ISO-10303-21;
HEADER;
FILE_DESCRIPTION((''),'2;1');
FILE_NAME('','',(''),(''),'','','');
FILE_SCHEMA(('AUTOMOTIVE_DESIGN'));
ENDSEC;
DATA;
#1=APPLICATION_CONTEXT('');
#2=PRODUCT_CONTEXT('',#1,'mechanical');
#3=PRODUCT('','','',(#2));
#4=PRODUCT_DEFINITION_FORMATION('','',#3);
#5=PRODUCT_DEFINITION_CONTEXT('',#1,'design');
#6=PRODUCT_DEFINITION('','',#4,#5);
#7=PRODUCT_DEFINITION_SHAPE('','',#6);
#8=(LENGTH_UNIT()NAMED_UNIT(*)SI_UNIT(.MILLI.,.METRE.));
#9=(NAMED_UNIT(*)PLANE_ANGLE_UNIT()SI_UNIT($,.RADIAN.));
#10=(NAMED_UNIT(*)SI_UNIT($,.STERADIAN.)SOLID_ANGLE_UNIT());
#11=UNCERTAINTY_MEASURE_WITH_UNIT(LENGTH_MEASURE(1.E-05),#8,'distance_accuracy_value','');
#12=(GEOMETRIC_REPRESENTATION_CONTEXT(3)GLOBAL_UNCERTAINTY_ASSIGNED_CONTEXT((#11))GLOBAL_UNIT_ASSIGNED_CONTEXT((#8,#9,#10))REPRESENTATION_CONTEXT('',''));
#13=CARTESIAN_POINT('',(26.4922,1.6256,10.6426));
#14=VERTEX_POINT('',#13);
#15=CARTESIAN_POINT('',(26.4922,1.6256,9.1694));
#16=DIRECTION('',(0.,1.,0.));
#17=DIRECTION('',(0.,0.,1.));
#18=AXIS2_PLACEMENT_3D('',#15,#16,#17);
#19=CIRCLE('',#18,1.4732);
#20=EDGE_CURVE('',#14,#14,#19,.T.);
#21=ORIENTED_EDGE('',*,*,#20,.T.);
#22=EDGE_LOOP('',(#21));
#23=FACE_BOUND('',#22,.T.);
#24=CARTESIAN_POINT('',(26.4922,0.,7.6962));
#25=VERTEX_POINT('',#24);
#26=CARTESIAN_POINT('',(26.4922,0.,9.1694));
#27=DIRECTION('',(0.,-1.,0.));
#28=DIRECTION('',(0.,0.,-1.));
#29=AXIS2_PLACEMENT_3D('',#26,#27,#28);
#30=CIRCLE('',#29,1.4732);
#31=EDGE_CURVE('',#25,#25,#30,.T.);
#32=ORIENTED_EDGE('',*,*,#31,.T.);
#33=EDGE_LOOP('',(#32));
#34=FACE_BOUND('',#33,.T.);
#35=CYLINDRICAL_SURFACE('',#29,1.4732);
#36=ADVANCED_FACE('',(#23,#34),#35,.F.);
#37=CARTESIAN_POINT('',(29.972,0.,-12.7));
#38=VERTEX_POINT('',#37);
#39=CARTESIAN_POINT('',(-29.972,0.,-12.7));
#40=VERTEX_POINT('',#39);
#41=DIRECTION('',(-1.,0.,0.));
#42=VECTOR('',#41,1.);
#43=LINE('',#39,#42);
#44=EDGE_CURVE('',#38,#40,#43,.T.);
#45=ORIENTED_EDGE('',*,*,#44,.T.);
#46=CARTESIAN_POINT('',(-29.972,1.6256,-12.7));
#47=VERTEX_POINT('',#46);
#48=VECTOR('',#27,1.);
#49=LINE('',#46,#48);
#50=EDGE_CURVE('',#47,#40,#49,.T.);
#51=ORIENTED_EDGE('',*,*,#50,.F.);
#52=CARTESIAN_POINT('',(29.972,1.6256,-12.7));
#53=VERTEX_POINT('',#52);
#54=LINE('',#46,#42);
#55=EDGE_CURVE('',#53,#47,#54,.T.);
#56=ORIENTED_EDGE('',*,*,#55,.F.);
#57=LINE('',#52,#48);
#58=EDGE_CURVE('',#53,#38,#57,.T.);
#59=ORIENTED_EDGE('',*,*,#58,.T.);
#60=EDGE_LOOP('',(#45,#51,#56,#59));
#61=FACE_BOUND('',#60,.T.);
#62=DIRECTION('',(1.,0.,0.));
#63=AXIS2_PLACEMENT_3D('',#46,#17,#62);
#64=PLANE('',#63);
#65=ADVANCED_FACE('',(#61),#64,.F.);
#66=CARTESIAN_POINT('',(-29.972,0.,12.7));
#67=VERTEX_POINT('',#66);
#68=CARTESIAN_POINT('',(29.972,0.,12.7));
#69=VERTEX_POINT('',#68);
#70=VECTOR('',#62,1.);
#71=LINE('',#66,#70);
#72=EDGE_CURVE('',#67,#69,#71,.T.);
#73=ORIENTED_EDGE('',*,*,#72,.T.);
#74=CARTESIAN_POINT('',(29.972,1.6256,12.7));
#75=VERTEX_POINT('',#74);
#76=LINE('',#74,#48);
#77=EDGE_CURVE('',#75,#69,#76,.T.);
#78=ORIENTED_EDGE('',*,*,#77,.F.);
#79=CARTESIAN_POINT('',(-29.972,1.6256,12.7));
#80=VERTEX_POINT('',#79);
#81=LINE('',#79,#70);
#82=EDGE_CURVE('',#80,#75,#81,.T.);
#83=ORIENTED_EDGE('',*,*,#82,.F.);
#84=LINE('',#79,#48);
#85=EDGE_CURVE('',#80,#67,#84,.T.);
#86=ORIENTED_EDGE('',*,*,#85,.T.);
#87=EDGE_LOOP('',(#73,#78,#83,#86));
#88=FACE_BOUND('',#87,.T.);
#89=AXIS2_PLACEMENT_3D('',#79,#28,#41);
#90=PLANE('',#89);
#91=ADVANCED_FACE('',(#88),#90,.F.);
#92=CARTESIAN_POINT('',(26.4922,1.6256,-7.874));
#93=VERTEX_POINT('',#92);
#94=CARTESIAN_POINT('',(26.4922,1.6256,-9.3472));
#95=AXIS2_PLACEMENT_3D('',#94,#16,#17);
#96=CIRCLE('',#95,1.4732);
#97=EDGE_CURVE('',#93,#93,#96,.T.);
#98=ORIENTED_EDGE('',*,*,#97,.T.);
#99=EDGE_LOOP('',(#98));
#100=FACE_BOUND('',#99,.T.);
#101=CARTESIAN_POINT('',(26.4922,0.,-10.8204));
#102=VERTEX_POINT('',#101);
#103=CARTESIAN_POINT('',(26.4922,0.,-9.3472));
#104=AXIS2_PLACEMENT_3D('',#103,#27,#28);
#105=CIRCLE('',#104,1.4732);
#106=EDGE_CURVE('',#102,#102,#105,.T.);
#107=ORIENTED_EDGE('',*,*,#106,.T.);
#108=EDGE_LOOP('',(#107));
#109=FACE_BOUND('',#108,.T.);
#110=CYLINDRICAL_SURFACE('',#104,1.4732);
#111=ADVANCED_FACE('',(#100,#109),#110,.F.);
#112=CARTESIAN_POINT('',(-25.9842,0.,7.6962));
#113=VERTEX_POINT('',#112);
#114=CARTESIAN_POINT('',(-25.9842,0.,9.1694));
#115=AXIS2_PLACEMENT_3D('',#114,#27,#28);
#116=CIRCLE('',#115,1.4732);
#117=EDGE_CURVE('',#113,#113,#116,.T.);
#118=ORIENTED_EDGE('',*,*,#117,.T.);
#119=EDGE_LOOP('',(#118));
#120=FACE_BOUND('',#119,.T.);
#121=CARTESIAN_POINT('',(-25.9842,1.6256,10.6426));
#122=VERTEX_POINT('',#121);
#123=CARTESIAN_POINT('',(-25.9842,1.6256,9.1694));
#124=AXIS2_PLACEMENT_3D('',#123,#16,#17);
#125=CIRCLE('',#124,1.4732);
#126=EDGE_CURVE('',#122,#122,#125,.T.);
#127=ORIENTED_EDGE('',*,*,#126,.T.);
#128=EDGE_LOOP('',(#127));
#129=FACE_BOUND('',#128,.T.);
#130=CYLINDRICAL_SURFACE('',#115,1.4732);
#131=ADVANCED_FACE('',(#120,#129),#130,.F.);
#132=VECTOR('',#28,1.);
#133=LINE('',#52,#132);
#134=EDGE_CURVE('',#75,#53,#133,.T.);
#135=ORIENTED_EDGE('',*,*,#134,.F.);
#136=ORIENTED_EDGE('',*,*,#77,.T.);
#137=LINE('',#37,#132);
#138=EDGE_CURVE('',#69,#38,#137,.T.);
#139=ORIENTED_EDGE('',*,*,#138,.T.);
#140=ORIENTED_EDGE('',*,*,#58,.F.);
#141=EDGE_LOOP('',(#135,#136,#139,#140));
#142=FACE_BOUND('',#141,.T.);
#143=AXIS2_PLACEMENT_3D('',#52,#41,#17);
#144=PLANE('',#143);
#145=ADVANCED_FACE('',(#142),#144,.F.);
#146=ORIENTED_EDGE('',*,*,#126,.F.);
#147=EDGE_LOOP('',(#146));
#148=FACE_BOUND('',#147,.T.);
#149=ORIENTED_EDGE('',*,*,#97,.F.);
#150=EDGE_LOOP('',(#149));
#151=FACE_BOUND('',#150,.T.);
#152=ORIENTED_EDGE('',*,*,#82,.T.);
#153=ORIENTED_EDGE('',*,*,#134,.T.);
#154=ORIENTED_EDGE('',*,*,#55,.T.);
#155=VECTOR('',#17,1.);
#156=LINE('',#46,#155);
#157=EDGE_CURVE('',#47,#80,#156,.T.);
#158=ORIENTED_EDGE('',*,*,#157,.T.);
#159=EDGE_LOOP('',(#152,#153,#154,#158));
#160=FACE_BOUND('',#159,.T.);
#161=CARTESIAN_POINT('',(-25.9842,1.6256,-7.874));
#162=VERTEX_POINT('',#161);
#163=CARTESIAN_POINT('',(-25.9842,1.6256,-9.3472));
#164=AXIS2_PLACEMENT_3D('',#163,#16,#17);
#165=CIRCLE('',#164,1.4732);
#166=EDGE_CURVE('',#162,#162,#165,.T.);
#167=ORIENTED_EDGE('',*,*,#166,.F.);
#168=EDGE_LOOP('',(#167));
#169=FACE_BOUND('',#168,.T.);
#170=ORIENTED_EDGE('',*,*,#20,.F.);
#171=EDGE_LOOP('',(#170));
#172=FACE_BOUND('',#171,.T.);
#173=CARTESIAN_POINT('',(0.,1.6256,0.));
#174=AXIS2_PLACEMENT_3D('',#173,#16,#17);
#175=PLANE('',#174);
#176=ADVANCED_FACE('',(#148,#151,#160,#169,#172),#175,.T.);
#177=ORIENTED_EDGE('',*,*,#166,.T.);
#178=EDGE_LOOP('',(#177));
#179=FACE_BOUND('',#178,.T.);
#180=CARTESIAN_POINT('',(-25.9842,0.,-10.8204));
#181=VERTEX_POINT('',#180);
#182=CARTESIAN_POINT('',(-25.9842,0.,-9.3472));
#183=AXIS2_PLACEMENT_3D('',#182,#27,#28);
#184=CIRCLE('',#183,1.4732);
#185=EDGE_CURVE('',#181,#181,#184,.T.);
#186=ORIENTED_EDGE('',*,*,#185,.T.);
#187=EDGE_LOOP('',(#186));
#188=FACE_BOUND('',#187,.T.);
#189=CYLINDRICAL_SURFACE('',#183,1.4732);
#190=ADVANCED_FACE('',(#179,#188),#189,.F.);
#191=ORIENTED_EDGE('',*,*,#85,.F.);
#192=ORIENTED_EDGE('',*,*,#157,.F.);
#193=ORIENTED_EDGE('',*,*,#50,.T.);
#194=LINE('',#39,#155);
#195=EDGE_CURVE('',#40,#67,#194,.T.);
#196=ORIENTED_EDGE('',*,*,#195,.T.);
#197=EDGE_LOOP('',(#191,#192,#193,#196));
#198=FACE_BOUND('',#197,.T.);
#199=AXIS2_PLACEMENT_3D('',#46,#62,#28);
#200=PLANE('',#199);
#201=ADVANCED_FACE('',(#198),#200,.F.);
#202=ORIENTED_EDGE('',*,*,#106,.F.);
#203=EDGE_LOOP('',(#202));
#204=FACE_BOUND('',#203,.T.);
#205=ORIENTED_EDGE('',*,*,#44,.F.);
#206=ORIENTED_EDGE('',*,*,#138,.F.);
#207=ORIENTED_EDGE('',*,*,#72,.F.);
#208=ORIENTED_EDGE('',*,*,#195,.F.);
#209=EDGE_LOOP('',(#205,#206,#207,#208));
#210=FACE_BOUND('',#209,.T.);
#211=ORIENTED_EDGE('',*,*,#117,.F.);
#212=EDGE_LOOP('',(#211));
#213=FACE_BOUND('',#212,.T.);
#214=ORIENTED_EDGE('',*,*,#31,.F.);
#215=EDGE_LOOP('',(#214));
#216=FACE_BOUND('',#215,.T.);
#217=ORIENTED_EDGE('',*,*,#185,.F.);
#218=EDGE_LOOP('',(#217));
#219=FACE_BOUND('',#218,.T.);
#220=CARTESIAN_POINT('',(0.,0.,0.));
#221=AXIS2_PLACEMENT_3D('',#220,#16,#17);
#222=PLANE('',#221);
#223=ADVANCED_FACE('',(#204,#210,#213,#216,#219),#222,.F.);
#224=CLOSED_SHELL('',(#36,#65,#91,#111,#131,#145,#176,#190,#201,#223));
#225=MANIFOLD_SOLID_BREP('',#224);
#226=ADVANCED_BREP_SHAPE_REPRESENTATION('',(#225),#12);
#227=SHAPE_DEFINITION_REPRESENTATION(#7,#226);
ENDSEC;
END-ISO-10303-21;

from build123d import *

# Parameters (mm, degrees)
SKETCH1_W                 = 59.944
SKETCH1_H                 = 25.4
BOSS_EXTRUDE1_DEPTH       = 1.6256
F_4_CLEARANCE_HOLE1_D     = 2.9464
F_4_CLEARANCE_HOLE1_DEPTH = 56.388
F_4_CLEARANCE_HOLE1_TIP   = 0.885187864


with BuildPart() as part:
    # Sketch1 → Boss-Extrude1 (new body)
    with BuildSketch(Plane(origin=(0, 0, 0), x_dir=(1, 0, 0), z_dir=(0, 1, 0))):
        Rectangle(SKETCH1_W, SKETCH1_H)
    extrude(amount=BOSS_EXTRUDE1_DEPTH)

    # #4 Clearance Hole1
    with Locations(Plane(origin=(0, 0, 0), x_dir=(-1, 0, 0), z_dir=(0, -1, 0))):
        with Locations((25.9842, -9.1694), (-26.4922, -9.1694), (-26.4922, 9.3472), (25.9842, 9.3472)):
            Hole(F_4_CLEARANCE_HOLE1_D / 2, depth=F_4_CLEARANCE_HOLE1_DEPTH)
            with Locations((0, 0, -(F_4_CLEARANCE_HOLE1_DEPTH + F_4_CLEARANCE_HOLE1_TIP / 2))):  # 118° drill point
                Cone(0, F_4_CLEARANCE_HOLE1_D / 2, F_4_CLEARANCE_HOLE1_TIP, mode=Mode.SUBTRACT)


solid = part.part
